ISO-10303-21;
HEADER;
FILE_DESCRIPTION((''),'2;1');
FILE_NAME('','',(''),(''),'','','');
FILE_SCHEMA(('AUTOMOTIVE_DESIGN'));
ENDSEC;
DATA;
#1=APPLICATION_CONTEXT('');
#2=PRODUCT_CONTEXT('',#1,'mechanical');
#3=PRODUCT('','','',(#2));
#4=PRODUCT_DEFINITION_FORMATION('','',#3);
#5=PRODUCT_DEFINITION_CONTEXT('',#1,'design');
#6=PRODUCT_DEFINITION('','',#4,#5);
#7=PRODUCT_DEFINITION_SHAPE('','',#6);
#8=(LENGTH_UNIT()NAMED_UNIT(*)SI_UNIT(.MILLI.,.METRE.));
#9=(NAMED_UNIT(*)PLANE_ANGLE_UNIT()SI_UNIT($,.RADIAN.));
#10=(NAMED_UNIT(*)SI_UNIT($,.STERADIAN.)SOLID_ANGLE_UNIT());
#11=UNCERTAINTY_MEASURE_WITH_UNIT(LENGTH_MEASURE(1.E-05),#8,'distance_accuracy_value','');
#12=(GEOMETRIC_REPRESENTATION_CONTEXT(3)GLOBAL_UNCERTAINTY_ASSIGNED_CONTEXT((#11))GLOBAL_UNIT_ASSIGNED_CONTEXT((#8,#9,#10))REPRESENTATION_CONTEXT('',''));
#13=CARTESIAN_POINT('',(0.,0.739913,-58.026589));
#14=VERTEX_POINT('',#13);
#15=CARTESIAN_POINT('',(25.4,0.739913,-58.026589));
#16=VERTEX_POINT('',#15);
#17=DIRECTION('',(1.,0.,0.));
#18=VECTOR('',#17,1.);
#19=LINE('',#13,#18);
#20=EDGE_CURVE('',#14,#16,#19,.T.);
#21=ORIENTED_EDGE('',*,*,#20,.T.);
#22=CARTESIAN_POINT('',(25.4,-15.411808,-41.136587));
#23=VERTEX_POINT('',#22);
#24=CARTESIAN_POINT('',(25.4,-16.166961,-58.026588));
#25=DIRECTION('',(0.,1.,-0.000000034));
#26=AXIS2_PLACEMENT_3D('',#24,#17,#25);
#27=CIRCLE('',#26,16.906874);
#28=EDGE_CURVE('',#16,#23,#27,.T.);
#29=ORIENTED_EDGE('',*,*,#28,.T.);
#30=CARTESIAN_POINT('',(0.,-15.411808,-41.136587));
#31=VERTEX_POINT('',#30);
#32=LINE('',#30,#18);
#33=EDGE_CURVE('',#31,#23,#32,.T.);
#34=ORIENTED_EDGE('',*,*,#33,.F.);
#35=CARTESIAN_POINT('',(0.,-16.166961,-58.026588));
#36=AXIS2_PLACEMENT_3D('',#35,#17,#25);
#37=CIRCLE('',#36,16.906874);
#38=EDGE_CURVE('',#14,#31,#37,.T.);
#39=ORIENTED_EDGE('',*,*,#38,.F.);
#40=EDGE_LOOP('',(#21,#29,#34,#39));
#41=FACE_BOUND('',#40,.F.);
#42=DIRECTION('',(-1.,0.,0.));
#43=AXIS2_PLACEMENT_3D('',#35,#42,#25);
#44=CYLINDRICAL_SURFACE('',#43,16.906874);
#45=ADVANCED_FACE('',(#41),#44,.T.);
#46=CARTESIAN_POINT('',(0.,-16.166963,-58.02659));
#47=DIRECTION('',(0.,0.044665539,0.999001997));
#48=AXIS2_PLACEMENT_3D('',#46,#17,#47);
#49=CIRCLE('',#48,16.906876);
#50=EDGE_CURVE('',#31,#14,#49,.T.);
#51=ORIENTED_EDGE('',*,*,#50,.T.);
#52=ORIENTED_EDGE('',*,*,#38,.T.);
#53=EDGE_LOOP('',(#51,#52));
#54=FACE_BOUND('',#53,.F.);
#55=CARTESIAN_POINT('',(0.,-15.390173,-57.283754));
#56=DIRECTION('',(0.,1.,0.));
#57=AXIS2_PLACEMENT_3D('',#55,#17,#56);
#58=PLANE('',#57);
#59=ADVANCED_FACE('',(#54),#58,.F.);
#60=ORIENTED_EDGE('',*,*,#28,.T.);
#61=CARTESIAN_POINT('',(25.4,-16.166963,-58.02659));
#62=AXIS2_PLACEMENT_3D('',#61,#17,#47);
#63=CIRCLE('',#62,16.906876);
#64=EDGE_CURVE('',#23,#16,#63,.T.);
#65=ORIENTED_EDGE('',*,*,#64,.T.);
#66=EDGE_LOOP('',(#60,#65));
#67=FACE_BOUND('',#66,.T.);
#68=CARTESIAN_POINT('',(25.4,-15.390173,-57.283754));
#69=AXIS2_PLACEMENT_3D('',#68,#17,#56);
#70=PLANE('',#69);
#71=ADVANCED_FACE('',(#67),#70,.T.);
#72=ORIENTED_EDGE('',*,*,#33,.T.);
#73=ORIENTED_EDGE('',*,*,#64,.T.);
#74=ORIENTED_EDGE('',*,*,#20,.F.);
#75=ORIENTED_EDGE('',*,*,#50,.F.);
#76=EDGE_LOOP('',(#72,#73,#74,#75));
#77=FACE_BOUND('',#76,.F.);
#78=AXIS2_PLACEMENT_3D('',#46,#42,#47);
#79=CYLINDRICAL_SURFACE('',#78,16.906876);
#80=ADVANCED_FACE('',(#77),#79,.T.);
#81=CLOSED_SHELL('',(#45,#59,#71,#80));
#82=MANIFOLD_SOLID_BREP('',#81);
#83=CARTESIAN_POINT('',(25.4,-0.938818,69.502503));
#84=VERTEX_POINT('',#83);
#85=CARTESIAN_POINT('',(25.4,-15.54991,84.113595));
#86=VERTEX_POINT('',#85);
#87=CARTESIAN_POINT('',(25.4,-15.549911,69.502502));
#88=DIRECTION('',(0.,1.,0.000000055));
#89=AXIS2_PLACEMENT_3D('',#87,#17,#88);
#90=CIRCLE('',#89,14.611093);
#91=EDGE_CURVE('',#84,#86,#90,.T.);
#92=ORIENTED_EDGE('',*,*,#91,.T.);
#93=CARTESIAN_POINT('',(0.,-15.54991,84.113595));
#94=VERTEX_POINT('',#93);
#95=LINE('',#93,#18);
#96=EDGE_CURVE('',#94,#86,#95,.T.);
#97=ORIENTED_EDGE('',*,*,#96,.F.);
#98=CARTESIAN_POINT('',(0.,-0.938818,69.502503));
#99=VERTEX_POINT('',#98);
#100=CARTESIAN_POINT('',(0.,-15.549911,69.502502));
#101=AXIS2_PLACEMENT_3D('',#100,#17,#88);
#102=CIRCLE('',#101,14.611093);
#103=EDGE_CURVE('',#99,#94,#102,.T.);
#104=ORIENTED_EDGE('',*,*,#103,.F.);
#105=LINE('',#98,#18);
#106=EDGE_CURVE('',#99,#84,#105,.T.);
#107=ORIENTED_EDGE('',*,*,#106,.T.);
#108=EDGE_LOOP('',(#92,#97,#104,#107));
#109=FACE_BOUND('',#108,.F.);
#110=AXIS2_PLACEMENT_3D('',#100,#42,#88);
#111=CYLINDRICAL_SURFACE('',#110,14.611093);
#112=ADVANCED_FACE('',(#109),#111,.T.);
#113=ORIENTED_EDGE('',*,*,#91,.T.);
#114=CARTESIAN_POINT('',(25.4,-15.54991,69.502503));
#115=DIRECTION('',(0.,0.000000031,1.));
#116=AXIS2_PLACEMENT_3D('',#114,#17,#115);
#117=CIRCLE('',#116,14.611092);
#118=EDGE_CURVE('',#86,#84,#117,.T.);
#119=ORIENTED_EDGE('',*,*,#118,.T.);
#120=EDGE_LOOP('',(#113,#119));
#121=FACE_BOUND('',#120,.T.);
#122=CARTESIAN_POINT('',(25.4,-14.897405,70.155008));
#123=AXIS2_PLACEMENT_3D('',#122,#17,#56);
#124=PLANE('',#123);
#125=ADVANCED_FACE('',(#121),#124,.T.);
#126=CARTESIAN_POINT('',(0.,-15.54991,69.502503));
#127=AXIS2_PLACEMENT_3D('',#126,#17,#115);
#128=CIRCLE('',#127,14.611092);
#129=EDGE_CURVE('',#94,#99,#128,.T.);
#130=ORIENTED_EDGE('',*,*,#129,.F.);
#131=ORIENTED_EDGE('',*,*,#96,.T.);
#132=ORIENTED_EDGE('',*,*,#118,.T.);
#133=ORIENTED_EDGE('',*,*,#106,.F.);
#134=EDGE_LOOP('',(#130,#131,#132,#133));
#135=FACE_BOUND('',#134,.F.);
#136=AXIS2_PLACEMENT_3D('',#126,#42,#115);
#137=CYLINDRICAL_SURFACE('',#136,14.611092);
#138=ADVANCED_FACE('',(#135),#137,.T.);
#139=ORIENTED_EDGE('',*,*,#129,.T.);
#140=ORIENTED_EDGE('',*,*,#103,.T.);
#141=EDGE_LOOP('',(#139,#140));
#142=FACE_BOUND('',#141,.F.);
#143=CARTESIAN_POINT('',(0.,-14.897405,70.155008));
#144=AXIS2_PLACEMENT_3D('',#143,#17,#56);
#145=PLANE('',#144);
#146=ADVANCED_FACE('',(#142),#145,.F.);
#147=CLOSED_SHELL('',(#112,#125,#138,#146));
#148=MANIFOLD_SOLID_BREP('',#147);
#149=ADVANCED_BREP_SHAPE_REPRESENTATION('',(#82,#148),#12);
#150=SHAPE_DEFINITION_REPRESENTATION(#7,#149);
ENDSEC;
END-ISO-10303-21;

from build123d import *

# Parameters (mm, degrees)
F2_DEPTH = 25.4
F3_DEPTH = 25.4


with BuildPart() as f2:
    # F1 (on Right) → F2 (new body)
    with BuildSketch(Plane.YZ):
        with BuildLine():
            ThreePointArc((-15.411808, -41.136587), (-28.386, -69.711519), (0.739913, -58.026589))
            ThreePointArc((0.739913, -58.026589), (-3.947925, -46.34166), (-15.411808, -41.136587))
        make_face()
    extrude(amount=F2_DEPTH)


with BuildPart() as f3:
    # F0 (on Right) → F3 (new body)
    with BuildSketch(Plane.YZ):
        with BuildLine():
            ThreePointArc((-15.54991, 84.113595), (-25.881513, 59.1709), (-0.938818, 69.502503))
            ThreePointArc((-0.938818, 69.502503), (-5.218308, 79.834105), (-15.54991, 84.113595))
        make_face()
    extrude(amount=F3_DEPTH)


solid = Compound([f2.part, f3.part])
